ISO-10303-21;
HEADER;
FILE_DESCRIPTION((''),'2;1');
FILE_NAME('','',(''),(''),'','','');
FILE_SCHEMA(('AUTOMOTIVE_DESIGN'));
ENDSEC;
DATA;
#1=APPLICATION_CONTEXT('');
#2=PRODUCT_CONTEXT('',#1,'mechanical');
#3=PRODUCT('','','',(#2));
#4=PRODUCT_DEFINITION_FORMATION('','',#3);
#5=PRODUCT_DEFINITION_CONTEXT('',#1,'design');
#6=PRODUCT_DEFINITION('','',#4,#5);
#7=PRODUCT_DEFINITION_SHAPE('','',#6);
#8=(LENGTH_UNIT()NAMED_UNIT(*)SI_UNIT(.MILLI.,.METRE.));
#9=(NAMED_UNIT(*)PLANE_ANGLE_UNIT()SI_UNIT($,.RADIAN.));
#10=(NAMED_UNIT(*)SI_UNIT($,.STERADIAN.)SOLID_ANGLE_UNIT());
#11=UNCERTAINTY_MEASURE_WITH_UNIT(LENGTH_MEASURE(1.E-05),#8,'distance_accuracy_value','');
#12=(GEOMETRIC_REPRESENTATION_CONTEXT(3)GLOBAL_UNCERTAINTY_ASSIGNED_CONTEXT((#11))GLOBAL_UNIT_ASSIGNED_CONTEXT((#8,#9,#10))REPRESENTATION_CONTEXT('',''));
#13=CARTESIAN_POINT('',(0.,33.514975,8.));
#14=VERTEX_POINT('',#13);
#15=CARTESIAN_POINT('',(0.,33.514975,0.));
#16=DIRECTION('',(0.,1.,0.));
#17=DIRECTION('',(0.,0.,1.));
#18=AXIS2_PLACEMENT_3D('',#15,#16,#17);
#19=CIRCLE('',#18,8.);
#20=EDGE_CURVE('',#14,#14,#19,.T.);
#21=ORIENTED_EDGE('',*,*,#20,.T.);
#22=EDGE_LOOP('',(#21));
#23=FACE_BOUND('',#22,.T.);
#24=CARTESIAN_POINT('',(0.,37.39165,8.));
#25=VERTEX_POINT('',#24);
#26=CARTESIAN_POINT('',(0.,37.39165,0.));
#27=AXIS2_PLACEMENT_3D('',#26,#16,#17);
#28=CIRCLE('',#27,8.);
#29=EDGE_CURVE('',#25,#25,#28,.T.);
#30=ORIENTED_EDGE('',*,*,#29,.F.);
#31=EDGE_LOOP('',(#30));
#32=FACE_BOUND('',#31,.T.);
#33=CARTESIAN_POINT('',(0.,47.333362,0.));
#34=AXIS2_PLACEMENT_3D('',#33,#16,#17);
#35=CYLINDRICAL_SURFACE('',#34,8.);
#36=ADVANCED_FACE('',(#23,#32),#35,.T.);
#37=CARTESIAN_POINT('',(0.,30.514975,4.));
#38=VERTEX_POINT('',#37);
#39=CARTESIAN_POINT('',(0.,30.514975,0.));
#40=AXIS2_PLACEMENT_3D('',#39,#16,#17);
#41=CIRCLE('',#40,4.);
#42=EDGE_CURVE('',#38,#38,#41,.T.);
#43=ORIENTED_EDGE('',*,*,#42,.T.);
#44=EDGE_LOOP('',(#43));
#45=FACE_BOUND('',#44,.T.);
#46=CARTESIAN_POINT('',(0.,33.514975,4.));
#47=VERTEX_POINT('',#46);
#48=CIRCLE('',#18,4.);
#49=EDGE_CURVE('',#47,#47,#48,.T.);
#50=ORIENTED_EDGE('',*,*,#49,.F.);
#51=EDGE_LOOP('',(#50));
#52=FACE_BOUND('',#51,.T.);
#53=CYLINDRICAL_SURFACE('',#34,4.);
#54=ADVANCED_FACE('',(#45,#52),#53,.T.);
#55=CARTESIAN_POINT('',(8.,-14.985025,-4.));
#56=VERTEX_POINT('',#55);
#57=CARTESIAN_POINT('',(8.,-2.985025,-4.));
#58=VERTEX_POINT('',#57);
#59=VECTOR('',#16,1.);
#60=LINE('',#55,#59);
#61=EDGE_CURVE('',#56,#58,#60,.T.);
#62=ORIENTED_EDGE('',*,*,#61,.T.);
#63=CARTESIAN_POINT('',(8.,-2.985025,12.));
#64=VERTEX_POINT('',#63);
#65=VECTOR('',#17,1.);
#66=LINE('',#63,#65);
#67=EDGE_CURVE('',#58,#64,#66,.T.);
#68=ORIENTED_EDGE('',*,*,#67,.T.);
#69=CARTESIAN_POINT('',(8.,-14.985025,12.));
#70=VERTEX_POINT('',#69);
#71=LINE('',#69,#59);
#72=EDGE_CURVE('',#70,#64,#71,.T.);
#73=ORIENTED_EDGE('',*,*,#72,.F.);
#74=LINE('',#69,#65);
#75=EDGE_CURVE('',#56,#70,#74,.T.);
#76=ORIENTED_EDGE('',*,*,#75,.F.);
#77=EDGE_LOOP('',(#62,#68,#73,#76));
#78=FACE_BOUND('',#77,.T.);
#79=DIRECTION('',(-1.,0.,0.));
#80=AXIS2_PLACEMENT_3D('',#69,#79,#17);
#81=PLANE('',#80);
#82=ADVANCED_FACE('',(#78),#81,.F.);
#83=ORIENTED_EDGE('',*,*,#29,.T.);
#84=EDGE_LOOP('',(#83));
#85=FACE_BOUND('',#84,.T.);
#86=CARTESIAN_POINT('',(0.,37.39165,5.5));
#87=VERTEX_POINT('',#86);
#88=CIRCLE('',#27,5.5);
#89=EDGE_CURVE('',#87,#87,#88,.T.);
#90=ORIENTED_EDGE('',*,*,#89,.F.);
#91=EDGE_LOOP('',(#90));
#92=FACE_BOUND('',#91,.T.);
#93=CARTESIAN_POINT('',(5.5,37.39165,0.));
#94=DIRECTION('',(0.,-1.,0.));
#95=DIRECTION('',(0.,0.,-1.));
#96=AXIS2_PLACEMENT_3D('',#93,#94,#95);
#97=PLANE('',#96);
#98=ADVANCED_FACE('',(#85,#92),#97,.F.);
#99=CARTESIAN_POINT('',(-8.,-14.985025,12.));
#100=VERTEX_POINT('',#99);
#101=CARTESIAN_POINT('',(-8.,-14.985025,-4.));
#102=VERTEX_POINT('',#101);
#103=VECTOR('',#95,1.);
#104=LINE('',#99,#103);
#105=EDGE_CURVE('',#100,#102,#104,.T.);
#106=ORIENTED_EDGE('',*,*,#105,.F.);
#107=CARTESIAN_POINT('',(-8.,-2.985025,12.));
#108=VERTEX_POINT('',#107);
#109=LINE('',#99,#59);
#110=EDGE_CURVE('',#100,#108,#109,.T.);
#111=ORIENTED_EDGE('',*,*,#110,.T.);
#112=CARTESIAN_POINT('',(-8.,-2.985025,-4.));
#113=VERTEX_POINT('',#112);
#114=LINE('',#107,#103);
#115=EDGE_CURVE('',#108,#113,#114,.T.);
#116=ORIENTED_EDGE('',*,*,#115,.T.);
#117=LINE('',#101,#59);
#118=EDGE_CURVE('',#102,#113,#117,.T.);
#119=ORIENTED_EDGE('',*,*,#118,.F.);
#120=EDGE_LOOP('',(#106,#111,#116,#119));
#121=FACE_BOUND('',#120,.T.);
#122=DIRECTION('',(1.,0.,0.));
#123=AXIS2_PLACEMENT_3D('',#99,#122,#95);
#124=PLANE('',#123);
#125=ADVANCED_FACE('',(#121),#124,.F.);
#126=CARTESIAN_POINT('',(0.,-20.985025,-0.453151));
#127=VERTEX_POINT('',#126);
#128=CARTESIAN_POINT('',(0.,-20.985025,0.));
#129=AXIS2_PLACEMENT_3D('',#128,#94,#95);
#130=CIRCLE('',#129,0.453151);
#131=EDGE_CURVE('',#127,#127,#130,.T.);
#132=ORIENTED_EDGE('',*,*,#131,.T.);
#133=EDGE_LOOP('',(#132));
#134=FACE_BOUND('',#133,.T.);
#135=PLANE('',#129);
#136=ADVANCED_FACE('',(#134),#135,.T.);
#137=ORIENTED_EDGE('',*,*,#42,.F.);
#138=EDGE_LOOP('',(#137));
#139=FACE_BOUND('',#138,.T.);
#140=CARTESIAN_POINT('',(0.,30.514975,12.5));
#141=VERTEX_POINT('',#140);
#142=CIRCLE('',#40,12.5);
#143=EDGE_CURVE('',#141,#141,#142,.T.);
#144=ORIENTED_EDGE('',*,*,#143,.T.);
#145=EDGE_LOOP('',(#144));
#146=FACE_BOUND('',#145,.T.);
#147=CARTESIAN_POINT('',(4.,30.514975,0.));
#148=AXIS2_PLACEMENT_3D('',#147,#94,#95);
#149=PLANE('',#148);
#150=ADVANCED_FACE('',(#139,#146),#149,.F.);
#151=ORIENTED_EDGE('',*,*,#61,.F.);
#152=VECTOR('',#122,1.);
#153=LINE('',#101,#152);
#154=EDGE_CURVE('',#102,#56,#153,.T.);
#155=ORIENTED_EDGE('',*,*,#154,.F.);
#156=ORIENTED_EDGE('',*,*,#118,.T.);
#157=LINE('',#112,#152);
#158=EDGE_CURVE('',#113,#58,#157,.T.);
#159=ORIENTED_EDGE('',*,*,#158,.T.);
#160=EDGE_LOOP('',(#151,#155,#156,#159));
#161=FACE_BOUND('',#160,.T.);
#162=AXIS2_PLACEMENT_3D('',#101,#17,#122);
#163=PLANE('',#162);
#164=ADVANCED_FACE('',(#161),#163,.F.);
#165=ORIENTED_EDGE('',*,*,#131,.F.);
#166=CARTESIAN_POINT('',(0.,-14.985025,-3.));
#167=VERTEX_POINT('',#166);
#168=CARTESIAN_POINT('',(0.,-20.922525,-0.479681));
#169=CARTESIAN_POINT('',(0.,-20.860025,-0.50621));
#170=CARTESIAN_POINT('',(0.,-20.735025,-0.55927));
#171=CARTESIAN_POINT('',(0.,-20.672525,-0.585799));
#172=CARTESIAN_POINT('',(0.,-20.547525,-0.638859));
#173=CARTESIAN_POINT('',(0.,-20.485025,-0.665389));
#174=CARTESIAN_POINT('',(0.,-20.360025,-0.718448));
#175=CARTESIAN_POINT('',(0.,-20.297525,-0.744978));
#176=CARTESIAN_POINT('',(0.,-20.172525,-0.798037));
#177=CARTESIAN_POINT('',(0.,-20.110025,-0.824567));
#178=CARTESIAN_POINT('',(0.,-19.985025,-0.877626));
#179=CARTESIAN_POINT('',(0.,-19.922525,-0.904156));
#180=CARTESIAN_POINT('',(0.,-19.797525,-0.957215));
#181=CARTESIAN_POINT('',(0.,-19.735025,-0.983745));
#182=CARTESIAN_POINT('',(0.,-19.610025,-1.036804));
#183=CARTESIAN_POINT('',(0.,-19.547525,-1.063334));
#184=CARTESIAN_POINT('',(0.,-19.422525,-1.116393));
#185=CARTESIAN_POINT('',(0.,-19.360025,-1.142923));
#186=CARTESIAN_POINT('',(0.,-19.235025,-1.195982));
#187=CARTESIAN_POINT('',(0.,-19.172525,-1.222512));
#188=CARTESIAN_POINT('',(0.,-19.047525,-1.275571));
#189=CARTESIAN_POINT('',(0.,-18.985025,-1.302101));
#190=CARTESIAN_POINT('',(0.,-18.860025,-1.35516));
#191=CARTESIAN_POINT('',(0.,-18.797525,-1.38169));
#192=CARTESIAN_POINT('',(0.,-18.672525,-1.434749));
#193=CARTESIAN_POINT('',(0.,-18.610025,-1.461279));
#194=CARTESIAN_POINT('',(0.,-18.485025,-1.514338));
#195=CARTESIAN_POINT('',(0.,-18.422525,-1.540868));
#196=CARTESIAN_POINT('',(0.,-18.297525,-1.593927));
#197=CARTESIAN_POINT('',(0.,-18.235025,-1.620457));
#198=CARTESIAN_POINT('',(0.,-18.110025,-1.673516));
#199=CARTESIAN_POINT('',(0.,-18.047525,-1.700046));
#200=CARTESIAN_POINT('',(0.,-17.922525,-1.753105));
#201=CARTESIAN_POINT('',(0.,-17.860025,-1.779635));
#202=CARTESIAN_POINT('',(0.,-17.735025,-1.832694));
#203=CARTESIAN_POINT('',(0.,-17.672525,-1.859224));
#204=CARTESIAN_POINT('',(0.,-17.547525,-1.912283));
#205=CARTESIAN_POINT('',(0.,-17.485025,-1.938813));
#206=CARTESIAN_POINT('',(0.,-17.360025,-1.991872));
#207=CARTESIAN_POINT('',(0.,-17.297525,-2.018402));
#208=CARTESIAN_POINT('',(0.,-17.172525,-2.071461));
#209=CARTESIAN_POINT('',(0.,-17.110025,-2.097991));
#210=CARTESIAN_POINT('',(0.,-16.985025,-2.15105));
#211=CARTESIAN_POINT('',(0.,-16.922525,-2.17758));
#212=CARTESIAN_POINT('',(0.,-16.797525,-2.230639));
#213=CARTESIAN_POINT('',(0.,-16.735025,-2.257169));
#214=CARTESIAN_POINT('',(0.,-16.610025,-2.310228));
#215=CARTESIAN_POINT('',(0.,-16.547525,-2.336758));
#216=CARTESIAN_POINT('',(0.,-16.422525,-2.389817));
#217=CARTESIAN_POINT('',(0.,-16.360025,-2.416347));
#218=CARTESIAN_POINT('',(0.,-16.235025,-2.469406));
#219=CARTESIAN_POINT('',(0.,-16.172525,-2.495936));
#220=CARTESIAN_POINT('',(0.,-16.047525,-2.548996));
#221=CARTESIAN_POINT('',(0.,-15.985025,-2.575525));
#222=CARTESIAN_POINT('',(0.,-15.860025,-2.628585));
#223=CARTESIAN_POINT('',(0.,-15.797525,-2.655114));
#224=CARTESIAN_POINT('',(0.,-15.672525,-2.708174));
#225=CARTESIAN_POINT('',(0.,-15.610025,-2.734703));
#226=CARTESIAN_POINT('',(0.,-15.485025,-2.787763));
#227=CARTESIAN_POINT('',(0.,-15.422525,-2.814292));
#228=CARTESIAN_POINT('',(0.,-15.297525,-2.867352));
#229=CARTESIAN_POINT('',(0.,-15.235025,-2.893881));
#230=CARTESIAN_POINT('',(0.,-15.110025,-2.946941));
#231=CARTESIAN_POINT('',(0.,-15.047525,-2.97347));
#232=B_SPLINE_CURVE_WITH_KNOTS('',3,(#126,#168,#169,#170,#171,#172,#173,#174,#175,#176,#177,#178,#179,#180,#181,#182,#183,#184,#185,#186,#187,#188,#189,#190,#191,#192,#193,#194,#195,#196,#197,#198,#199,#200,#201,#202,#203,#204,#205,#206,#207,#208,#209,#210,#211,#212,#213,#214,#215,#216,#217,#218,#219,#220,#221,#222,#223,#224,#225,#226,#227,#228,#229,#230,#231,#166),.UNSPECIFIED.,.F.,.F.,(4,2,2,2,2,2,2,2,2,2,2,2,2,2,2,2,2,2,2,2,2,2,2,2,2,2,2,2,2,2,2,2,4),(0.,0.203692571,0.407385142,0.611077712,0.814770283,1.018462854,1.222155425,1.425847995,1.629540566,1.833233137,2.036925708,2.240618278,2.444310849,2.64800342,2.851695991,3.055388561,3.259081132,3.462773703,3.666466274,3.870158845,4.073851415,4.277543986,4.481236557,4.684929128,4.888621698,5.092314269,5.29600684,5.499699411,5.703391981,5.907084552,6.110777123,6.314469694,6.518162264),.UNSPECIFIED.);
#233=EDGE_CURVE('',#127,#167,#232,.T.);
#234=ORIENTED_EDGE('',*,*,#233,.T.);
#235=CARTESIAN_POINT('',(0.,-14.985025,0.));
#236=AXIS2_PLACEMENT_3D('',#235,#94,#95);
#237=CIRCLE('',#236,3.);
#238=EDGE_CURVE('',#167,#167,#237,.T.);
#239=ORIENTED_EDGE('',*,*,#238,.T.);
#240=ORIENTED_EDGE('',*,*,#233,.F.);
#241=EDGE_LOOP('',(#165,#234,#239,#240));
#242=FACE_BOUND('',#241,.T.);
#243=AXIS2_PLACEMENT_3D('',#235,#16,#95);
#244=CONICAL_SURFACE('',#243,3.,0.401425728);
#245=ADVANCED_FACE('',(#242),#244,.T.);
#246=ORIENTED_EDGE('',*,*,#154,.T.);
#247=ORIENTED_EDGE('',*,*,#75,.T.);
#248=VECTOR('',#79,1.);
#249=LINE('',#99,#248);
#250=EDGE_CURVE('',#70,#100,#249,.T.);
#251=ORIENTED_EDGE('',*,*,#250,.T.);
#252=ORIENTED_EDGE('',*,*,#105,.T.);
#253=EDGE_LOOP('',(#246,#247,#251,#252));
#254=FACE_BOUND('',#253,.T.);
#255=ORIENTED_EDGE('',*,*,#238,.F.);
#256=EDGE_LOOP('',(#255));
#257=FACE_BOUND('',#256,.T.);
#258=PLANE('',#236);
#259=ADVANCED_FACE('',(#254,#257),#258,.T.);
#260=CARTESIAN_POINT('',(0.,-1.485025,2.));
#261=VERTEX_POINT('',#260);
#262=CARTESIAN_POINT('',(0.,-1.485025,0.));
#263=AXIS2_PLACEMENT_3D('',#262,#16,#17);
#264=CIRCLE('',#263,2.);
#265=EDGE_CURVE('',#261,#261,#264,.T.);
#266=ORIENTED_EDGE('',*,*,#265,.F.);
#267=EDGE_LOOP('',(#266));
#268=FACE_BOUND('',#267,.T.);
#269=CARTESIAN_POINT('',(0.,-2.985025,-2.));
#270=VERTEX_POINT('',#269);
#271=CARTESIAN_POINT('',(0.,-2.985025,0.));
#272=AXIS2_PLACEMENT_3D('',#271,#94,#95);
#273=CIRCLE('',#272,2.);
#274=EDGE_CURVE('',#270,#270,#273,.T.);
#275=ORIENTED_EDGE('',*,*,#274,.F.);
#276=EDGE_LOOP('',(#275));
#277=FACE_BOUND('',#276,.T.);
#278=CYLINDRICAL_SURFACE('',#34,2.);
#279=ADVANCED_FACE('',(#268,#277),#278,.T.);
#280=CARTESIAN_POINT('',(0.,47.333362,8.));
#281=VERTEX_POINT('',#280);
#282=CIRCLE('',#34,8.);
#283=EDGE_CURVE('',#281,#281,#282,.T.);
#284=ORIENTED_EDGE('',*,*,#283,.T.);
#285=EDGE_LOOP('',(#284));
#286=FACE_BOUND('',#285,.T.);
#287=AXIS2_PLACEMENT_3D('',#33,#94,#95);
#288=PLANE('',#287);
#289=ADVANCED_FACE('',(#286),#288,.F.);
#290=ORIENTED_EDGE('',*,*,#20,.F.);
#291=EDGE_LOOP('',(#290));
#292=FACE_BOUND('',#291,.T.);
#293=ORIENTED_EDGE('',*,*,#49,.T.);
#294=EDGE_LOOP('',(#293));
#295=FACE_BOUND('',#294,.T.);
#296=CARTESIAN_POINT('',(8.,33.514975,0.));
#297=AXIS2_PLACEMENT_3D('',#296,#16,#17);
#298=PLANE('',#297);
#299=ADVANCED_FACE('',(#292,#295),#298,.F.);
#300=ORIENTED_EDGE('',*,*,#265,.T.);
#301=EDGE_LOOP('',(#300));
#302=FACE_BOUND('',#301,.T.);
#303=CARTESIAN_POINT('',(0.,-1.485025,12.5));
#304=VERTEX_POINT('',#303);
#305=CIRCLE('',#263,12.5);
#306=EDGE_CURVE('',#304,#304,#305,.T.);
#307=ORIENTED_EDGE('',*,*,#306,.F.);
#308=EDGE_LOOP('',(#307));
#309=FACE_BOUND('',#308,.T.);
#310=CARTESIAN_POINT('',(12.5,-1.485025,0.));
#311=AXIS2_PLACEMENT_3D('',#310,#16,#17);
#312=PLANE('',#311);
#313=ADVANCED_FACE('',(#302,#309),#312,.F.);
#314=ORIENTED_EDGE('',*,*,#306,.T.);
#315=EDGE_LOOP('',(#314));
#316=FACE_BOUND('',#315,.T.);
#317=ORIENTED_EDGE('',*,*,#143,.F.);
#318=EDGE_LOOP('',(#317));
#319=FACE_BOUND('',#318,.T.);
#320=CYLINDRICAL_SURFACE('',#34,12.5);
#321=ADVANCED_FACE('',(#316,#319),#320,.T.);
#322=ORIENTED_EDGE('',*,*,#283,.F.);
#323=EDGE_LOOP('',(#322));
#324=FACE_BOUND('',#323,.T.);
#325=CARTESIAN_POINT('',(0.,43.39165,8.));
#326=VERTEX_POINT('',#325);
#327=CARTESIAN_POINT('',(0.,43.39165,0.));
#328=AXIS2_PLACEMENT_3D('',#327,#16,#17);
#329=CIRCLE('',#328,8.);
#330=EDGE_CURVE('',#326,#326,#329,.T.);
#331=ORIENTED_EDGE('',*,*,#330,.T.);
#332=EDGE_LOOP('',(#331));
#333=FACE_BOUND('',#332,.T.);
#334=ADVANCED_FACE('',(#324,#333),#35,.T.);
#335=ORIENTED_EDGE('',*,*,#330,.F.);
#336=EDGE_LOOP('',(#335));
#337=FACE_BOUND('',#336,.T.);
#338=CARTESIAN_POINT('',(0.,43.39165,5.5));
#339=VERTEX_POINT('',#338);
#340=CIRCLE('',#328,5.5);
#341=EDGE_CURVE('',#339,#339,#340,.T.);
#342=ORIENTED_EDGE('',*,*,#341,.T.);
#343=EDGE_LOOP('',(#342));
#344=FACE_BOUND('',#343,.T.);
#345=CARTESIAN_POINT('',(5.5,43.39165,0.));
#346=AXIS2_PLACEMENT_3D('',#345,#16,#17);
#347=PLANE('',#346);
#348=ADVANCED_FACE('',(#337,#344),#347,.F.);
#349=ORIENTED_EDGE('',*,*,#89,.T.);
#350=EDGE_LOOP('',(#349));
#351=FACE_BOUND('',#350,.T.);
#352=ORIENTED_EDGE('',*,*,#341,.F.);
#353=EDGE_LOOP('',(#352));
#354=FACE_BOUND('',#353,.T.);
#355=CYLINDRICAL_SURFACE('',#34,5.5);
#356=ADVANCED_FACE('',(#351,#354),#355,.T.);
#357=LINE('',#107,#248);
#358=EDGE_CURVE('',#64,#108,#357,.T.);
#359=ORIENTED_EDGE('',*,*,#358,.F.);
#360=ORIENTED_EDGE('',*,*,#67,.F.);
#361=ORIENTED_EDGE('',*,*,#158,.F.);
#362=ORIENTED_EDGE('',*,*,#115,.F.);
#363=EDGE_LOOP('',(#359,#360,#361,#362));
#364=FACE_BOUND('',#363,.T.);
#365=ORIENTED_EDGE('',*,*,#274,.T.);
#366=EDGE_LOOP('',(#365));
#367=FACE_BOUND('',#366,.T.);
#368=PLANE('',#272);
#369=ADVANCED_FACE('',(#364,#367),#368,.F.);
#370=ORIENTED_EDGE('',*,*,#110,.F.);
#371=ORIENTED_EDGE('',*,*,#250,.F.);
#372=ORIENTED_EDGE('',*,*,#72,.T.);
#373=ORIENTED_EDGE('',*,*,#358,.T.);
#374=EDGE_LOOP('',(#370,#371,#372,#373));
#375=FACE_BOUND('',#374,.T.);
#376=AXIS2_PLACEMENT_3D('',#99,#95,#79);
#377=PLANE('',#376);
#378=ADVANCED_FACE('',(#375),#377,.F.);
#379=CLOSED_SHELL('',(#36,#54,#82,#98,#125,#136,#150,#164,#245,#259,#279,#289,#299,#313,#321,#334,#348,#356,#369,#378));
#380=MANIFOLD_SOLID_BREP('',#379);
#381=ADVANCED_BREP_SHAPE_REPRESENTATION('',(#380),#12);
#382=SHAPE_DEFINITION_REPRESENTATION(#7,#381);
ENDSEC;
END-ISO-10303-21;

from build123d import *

# Parameters (mm, degrees)
ESBO_O3_W                = 16
ESBO_O3_H                = 16
RESSALTO_EXTRUS_O1_DEPTH = 12
ESBO_O4_R                = 3
RESSALTO_EXTRUS_O2_DEPTH = 6
RESSALTO_EXTRUS_O2_TAPER = 23


with BuildPart() as part:
    # Esboço1 → Revolução1 (revolve)
    with BuildSketch(Plane.XY, mode=Mode.PRIVATE) as revolu_o1_sk:
        Polygon((0, 47.333362218), (8, 47.333362218), (8, 43.391649695), (5.5, 43.391649695), (5.5, 37.391649695), (8, 37.391649695), (8, 33.514974639), (4, 33.514974639), (4, 30.514974639), (12.5, 30.514974639), (12.5, -1.485025361), (2, -1.485025361), (2, -2.985025361), (0, -2.985025361), align=None)
    revolve(revolu_o1_sk.sketch.rotate(Axis((0, 47.333362218, 0), (0, -1, 0)), 90), axis=Axis((0, 47.333362218, 0), (0, -1, 0)))

    # Esboço3 → Ressalto-extrusão1 (add)
    with BuildSketch(Plane.XZ.offset(2.985025361)):
        with Locations((0, 4)):
            Rectangle(ESBO_O3_W, ESBO_O3_H)
    extrude(amount=RESSALTO_EXTRUS_O1_DEPTH)

    # Esboço4 → Ressalto-extrusão2 (add)
    with BuildSketch(Plane.XZ.offset(14.985025361)):
        Circle(ESBO_O4_R)
    extrude(amount=RESSALTO_EXTRUS_O2_DEPTH, taper=RESSALTO_EXTRUS_O2_TAPER)


solid = part.part
